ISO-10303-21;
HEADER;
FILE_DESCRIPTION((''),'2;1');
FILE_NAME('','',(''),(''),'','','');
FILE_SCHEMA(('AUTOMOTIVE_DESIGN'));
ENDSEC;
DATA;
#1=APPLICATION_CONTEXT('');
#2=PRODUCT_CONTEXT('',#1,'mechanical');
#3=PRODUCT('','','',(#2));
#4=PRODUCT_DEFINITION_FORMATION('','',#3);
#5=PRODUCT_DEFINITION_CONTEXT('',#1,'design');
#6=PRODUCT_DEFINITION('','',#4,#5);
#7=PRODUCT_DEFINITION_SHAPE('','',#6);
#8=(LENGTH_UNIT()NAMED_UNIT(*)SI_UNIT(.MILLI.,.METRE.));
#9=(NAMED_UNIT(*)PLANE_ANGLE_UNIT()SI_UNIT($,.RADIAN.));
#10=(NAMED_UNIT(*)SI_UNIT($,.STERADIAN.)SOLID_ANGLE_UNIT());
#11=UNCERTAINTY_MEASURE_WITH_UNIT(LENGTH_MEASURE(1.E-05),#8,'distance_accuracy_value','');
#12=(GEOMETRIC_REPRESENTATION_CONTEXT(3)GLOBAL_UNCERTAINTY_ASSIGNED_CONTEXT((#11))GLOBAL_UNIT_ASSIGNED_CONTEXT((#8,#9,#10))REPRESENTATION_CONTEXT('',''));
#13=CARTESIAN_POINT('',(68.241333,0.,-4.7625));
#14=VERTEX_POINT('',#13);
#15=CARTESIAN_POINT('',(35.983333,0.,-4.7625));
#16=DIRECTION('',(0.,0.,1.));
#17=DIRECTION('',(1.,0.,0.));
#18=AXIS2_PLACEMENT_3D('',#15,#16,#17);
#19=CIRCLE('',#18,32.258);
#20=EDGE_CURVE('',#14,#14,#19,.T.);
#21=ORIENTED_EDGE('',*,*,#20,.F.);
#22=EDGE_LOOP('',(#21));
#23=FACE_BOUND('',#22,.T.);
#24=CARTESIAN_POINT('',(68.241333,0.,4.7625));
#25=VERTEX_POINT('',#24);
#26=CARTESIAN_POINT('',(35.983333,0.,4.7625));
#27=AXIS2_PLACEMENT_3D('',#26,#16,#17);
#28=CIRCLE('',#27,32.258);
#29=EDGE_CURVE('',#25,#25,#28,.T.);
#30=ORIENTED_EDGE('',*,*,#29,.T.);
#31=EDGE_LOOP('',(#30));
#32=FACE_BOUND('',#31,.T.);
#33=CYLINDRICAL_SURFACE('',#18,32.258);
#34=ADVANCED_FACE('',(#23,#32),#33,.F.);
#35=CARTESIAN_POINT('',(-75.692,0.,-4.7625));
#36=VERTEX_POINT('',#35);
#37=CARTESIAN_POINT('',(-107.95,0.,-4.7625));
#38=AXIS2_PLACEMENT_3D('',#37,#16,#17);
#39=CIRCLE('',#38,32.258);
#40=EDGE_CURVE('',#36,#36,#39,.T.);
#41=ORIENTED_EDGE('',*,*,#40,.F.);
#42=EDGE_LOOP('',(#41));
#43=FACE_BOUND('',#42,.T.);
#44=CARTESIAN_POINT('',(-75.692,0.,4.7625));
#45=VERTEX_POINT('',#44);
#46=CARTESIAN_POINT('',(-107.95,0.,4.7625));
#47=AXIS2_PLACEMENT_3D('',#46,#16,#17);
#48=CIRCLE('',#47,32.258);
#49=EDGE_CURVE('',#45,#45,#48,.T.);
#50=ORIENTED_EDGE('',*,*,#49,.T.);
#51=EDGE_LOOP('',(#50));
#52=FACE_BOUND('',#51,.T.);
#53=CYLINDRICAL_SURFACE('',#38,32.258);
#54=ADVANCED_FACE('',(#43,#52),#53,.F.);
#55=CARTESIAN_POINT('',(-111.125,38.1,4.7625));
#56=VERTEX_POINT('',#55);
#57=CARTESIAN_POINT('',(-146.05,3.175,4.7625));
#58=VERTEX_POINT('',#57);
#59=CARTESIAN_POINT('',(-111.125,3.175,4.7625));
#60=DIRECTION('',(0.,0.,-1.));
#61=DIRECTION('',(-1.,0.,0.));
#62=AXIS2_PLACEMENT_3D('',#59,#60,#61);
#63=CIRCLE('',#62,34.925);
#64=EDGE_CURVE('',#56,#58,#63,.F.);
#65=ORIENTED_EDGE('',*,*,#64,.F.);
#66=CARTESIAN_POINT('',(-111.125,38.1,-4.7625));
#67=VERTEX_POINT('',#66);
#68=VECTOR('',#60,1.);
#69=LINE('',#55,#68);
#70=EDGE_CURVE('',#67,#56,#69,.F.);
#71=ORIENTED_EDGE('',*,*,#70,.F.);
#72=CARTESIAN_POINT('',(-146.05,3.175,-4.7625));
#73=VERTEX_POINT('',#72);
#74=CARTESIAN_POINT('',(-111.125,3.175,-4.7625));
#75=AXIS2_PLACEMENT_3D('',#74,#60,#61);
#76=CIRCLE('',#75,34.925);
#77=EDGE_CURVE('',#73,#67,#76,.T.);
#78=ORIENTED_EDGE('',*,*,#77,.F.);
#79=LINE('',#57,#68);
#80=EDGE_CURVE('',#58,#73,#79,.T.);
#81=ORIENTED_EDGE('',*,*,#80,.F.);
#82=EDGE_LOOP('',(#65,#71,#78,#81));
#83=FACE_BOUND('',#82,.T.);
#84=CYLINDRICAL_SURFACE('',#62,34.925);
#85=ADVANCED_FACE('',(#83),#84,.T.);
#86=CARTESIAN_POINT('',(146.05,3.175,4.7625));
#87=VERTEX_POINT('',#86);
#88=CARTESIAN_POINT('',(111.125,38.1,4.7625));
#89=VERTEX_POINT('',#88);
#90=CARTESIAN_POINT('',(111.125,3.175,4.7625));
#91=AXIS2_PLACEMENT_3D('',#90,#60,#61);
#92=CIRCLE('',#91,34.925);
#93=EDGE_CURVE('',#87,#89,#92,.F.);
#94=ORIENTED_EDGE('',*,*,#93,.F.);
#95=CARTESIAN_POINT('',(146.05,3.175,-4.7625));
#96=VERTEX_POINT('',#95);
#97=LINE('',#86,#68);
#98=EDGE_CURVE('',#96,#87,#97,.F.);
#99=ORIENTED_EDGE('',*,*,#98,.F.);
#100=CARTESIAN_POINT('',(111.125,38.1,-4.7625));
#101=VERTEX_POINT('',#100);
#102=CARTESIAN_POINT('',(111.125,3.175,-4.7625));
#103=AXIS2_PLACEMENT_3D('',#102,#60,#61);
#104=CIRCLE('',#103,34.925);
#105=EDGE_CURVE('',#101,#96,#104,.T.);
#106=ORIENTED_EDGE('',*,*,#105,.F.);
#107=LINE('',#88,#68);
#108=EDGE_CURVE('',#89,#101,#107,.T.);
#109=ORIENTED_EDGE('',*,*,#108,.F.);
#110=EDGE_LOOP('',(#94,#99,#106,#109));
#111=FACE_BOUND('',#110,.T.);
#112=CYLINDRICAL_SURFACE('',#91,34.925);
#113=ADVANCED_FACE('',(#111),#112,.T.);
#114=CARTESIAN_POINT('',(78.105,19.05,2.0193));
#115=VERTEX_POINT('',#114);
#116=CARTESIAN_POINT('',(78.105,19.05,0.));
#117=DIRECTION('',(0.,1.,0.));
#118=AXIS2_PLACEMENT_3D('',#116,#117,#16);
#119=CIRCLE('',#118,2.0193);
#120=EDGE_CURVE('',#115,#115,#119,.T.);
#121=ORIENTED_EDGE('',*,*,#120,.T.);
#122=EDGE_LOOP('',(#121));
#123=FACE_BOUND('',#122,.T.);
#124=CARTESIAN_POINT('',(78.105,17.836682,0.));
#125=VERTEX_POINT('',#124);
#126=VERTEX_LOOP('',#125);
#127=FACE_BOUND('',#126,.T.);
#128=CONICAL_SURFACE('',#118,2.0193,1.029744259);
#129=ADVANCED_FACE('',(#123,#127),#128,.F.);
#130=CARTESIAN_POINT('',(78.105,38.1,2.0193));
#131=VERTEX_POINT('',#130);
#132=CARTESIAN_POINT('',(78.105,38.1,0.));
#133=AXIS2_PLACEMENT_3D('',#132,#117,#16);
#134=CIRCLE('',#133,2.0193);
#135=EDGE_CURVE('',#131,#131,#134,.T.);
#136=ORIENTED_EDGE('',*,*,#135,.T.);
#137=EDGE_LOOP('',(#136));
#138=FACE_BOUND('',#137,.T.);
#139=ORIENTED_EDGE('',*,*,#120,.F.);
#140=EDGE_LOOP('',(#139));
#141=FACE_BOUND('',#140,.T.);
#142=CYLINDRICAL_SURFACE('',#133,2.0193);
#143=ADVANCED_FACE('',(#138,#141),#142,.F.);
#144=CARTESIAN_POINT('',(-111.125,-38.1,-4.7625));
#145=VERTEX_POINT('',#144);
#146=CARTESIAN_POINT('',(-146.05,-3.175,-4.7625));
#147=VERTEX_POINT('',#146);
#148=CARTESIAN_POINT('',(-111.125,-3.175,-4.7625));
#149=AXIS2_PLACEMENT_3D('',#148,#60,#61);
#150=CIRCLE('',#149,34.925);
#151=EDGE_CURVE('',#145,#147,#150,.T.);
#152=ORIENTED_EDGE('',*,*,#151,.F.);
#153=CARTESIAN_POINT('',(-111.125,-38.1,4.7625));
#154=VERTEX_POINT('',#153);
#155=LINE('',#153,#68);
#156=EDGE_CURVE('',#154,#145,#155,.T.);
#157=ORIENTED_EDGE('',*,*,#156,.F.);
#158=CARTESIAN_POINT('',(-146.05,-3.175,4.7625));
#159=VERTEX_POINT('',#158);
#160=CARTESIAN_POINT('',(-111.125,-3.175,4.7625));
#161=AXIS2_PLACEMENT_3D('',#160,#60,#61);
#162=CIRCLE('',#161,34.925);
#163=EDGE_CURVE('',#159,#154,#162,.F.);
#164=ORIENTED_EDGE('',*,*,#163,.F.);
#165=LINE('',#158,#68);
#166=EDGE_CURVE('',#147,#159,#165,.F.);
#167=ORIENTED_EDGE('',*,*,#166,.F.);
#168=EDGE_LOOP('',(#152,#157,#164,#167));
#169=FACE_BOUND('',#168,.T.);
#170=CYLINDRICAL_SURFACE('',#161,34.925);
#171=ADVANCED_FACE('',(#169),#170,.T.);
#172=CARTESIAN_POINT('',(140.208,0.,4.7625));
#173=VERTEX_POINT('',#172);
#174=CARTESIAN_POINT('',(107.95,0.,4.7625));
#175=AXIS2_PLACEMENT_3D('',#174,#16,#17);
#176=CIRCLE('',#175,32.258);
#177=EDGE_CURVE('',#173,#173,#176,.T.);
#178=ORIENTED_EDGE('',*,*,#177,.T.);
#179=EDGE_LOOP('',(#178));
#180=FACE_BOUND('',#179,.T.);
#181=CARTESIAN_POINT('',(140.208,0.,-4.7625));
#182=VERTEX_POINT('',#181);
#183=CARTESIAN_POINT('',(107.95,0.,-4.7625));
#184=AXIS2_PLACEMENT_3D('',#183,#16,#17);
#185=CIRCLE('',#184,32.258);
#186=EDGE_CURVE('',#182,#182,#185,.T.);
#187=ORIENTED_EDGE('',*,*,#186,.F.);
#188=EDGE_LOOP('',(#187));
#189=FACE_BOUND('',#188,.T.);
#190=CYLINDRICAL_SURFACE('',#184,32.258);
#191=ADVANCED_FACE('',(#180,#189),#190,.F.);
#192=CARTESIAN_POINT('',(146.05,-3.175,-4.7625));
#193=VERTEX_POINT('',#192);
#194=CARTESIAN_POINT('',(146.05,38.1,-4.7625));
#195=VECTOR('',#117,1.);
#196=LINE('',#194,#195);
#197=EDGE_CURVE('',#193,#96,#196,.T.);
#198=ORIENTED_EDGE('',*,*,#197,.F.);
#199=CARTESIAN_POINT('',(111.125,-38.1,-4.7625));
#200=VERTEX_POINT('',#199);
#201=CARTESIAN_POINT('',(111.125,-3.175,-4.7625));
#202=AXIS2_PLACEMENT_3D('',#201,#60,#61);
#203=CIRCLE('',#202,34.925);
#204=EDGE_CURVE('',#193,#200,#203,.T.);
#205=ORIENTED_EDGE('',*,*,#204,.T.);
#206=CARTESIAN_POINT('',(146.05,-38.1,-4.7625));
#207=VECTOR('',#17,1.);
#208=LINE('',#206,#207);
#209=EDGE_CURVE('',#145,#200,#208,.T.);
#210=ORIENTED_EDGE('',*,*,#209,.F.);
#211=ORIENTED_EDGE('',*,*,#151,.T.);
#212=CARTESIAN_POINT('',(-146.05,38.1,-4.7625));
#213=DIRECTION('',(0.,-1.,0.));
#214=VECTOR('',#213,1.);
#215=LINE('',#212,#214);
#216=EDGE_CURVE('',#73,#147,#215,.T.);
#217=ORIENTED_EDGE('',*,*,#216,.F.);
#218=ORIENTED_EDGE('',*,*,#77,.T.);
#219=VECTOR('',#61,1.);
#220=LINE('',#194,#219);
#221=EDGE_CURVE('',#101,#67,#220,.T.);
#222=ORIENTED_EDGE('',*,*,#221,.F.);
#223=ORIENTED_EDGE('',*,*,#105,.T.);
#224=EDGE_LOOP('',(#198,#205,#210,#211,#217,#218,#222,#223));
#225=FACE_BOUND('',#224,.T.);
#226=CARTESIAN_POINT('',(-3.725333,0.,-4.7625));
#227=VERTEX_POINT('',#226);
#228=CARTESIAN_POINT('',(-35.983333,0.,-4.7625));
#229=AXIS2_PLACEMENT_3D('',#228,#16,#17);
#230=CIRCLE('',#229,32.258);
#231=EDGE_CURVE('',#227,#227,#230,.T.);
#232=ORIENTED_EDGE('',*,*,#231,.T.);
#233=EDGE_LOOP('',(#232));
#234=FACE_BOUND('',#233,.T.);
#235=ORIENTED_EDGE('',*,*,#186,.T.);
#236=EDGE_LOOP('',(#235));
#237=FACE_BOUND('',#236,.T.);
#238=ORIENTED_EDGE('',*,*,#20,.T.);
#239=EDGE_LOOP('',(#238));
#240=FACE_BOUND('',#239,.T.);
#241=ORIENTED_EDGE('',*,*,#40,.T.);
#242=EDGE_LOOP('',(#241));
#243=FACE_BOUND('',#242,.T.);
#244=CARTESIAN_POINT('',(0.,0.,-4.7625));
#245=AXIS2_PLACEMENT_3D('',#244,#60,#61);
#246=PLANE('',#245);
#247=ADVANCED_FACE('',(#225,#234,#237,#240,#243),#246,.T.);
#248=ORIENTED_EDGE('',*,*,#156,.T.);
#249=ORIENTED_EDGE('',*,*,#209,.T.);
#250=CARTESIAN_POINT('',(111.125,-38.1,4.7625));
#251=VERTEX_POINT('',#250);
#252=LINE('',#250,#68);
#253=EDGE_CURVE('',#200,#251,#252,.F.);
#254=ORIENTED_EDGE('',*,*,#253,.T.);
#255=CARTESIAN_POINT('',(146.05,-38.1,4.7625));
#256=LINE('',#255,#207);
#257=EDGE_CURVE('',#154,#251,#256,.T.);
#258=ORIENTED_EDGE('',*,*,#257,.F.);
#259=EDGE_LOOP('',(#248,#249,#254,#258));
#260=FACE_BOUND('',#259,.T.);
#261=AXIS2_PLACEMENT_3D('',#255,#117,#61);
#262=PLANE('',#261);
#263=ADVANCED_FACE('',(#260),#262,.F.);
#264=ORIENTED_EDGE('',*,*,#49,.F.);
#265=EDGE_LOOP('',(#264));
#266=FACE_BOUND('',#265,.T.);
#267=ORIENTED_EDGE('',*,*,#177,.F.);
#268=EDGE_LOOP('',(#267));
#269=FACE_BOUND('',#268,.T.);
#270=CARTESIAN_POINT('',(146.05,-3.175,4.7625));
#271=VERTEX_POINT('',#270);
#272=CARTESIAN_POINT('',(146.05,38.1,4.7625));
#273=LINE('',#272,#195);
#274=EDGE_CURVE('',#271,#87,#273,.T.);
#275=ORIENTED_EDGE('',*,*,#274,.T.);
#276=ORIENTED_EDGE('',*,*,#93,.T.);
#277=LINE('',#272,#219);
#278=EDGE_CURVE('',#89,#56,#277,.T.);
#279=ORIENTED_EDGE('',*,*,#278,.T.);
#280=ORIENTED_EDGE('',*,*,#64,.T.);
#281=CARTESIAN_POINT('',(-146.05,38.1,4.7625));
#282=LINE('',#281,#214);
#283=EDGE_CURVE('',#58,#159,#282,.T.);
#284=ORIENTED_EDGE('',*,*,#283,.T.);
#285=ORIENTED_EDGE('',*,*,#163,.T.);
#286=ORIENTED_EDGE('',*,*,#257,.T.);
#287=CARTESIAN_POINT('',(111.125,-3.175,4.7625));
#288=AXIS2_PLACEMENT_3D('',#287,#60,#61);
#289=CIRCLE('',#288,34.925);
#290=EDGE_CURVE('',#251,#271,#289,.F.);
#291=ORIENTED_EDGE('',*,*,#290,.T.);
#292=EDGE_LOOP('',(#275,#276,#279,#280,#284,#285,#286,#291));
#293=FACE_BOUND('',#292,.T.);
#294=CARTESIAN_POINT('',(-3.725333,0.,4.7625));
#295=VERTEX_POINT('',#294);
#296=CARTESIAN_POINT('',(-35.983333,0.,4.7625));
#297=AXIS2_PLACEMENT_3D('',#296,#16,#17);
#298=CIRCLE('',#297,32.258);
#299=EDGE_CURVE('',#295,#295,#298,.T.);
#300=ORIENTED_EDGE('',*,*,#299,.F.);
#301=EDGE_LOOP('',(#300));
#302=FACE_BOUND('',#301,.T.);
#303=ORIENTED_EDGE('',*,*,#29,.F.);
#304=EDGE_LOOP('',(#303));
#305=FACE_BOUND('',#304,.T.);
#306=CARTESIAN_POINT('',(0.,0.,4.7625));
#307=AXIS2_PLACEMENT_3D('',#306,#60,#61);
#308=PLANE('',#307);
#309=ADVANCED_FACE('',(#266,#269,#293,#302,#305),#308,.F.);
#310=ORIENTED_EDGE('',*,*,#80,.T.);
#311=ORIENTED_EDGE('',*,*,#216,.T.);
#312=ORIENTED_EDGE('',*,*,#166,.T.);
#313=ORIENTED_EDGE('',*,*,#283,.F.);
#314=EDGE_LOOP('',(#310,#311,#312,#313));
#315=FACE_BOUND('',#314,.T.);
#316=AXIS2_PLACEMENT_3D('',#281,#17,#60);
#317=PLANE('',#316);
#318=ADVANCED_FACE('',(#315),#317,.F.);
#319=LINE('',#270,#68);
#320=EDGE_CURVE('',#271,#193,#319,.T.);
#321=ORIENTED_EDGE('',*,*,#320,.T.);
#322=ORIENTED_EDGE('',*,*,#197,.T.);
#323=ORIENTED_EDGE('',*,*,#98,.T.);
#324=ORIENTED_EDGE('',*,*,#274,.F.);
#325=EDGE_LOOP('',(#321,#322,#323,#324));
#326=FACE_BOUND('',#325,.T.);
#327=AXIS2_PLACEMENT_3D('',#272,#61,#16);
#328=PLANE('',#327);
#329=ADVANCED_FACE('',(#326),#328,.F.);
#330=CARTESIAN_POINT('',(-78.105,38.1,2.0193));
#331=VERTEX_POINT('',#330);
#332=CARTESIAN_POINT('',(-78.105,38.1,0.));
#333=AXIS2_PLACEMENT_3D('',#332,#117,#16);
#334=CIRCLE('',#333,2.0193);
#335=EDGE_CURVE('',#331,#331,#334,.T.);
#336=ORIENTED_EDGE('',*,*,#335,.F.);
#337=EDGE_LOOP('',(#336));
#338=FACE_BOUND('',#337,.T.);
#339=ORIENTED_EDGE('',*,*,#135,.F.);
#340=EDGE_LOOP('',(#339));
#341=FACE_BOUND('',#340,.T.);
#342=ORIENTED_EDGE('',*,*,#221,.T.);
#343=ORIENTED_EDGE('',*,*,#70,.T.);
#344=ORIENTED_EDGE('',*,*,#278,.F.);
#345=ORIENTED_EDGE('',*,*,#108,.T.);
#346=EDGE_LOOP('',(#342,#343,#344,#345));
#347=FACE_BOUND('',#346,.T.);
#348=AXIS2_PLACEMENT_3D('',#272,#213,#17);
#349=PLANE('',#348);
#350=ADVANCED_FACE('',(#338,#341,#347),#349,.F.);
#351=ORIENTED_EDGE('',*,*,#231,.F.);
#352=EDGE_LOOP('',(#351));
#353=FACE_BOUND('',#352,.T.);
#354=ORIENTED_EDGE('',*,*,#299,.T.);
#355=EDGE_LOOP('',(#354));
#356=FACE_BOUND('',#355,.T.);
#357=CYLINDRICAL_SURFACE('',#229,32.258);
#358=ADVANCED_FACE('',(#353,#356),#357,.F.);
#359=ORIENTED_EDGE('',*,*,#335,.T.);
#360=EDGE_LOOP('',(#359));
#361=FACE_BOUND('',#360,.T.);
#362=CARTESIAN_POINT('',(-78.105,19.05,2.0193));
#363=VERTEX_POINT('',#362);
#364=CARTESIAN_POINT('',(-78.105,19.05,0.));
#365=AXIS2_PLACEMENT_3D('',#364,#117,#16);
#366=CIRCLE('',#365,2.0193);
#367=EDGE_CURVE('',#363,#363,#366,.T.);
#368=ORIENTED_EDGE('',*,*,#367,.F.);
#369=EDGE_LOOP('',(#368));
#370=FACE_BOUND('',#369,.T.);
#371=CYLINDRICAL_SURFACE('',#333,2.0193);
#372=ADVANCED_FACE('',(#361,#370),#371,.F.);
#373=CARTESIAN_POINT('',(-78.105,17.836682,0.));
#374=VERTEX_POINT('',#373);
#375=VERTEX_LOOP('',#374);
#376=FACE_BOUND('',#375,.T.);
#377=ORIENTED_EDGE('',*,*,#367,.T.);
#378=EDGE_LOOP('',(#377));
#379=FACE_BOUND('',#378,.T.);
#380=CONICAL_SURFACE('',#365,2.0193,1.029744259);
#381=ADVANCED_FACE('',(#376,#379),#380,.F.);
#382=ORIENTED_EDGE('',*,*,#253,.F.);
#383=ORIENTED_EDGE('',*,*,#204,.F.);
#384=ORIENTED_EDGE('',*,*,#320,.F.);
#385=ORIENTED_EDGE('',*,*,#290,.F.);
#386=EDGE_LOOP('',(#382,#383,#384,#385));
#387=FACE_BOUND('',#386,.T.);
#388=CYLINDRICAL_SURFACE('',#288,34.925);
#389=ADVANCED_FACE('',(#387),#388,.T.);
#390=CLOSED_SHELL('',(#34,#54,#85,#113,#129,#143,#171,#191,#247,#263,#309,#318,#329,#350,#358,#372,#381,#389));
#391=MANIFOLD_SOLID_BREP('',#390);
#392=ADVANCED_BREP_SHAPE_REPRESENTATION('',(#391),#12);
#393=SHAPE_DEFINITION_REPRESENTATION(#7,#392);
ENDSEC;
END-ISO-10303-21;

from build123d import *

# Parameters (mm, degrees)
SKETCH1_W                  = 292.1
SKETCH1_H                  = 76.2
BOSS_EXTRUDE1_DEPTH        = 4.7625
SKETCH2_R                  = 32.258
CUT_EXTRUDE1_DEPTH         = 10.525
FILLET1_R                  = 34.925
F_10_32_TAPPED_HOLE2_D     = 4.0386
F_10_32_TAPPED_HOLE2_DEPTH = 19.05
F_10_32_TAPPED_HOLE2_TIP   = 1.213317848


with BuildPart() as part:
    # Sketch1 → Boss-Extrude1 (new body, symmetric)
    with BuildSketch(Plane.XY):
        Rectangle(SKETCH1_W, SKETCH1_H)
    extrude(amount=BOSS_EXTRUDE1_DEPTH, both=True)

    # Sketch2 → Cut-Extrude1 (cut, through all)
    with BuildSketch(Plane.XY.offset(4.7625)):
        with Locations((-107.95, 0)):
            Circle(SKETCH2_R)
        with Locations((-35.983333333, 0)):
            Circle(SKETCH2_R)
        with Locations((35.983333333, 0)):
            Circle(SKETCH2_R)
        with Locations((107.95, 0)):
            Circle(SKETCH2_R)
    extrude(amount=-CUT_EXTRUDE1_DEPTH, mode=Mode.SUBTRACT)

    # Fillet1
    fillet1_edges = [part.edges().sort_by_distance(p)[0] for p in [
        (-146.05, 38.1, 0),
        (146.05, 38.1, 0),
        (146.05, -38.1, 0),
        (-146.05, -38.1, 0),
    ]]
    fillet(fillet1_edges, radius=FILLET1_R)

    # #10-32 Tapped Hole2
    with Locations(Plane(origin=(0, 38.1, 0), x_dir=(1, 0, 0), z_dir=(0, 1, 0))):
        with Locations((-78.105, 0), (78.105, 0)):
            Hole(F_10_32_TAPPED_HOLE2_D / 2, depth=F_10_32_TAPPED_HOLE2_DEPTH)
            with Locations((0, 0, -(F_10_32_TAPPED_HOLE2_DEPTH + F_10_32_TAPPED_HOLE2_TIP / 2))):  # 118° drill point
                Cone(0, F_10_32_TAPPED_HOLE2_D / 2, F_10_32_TAPPED_HOLE2_TIP, mode=Mode.SUBTRACT)


solid = part.part
